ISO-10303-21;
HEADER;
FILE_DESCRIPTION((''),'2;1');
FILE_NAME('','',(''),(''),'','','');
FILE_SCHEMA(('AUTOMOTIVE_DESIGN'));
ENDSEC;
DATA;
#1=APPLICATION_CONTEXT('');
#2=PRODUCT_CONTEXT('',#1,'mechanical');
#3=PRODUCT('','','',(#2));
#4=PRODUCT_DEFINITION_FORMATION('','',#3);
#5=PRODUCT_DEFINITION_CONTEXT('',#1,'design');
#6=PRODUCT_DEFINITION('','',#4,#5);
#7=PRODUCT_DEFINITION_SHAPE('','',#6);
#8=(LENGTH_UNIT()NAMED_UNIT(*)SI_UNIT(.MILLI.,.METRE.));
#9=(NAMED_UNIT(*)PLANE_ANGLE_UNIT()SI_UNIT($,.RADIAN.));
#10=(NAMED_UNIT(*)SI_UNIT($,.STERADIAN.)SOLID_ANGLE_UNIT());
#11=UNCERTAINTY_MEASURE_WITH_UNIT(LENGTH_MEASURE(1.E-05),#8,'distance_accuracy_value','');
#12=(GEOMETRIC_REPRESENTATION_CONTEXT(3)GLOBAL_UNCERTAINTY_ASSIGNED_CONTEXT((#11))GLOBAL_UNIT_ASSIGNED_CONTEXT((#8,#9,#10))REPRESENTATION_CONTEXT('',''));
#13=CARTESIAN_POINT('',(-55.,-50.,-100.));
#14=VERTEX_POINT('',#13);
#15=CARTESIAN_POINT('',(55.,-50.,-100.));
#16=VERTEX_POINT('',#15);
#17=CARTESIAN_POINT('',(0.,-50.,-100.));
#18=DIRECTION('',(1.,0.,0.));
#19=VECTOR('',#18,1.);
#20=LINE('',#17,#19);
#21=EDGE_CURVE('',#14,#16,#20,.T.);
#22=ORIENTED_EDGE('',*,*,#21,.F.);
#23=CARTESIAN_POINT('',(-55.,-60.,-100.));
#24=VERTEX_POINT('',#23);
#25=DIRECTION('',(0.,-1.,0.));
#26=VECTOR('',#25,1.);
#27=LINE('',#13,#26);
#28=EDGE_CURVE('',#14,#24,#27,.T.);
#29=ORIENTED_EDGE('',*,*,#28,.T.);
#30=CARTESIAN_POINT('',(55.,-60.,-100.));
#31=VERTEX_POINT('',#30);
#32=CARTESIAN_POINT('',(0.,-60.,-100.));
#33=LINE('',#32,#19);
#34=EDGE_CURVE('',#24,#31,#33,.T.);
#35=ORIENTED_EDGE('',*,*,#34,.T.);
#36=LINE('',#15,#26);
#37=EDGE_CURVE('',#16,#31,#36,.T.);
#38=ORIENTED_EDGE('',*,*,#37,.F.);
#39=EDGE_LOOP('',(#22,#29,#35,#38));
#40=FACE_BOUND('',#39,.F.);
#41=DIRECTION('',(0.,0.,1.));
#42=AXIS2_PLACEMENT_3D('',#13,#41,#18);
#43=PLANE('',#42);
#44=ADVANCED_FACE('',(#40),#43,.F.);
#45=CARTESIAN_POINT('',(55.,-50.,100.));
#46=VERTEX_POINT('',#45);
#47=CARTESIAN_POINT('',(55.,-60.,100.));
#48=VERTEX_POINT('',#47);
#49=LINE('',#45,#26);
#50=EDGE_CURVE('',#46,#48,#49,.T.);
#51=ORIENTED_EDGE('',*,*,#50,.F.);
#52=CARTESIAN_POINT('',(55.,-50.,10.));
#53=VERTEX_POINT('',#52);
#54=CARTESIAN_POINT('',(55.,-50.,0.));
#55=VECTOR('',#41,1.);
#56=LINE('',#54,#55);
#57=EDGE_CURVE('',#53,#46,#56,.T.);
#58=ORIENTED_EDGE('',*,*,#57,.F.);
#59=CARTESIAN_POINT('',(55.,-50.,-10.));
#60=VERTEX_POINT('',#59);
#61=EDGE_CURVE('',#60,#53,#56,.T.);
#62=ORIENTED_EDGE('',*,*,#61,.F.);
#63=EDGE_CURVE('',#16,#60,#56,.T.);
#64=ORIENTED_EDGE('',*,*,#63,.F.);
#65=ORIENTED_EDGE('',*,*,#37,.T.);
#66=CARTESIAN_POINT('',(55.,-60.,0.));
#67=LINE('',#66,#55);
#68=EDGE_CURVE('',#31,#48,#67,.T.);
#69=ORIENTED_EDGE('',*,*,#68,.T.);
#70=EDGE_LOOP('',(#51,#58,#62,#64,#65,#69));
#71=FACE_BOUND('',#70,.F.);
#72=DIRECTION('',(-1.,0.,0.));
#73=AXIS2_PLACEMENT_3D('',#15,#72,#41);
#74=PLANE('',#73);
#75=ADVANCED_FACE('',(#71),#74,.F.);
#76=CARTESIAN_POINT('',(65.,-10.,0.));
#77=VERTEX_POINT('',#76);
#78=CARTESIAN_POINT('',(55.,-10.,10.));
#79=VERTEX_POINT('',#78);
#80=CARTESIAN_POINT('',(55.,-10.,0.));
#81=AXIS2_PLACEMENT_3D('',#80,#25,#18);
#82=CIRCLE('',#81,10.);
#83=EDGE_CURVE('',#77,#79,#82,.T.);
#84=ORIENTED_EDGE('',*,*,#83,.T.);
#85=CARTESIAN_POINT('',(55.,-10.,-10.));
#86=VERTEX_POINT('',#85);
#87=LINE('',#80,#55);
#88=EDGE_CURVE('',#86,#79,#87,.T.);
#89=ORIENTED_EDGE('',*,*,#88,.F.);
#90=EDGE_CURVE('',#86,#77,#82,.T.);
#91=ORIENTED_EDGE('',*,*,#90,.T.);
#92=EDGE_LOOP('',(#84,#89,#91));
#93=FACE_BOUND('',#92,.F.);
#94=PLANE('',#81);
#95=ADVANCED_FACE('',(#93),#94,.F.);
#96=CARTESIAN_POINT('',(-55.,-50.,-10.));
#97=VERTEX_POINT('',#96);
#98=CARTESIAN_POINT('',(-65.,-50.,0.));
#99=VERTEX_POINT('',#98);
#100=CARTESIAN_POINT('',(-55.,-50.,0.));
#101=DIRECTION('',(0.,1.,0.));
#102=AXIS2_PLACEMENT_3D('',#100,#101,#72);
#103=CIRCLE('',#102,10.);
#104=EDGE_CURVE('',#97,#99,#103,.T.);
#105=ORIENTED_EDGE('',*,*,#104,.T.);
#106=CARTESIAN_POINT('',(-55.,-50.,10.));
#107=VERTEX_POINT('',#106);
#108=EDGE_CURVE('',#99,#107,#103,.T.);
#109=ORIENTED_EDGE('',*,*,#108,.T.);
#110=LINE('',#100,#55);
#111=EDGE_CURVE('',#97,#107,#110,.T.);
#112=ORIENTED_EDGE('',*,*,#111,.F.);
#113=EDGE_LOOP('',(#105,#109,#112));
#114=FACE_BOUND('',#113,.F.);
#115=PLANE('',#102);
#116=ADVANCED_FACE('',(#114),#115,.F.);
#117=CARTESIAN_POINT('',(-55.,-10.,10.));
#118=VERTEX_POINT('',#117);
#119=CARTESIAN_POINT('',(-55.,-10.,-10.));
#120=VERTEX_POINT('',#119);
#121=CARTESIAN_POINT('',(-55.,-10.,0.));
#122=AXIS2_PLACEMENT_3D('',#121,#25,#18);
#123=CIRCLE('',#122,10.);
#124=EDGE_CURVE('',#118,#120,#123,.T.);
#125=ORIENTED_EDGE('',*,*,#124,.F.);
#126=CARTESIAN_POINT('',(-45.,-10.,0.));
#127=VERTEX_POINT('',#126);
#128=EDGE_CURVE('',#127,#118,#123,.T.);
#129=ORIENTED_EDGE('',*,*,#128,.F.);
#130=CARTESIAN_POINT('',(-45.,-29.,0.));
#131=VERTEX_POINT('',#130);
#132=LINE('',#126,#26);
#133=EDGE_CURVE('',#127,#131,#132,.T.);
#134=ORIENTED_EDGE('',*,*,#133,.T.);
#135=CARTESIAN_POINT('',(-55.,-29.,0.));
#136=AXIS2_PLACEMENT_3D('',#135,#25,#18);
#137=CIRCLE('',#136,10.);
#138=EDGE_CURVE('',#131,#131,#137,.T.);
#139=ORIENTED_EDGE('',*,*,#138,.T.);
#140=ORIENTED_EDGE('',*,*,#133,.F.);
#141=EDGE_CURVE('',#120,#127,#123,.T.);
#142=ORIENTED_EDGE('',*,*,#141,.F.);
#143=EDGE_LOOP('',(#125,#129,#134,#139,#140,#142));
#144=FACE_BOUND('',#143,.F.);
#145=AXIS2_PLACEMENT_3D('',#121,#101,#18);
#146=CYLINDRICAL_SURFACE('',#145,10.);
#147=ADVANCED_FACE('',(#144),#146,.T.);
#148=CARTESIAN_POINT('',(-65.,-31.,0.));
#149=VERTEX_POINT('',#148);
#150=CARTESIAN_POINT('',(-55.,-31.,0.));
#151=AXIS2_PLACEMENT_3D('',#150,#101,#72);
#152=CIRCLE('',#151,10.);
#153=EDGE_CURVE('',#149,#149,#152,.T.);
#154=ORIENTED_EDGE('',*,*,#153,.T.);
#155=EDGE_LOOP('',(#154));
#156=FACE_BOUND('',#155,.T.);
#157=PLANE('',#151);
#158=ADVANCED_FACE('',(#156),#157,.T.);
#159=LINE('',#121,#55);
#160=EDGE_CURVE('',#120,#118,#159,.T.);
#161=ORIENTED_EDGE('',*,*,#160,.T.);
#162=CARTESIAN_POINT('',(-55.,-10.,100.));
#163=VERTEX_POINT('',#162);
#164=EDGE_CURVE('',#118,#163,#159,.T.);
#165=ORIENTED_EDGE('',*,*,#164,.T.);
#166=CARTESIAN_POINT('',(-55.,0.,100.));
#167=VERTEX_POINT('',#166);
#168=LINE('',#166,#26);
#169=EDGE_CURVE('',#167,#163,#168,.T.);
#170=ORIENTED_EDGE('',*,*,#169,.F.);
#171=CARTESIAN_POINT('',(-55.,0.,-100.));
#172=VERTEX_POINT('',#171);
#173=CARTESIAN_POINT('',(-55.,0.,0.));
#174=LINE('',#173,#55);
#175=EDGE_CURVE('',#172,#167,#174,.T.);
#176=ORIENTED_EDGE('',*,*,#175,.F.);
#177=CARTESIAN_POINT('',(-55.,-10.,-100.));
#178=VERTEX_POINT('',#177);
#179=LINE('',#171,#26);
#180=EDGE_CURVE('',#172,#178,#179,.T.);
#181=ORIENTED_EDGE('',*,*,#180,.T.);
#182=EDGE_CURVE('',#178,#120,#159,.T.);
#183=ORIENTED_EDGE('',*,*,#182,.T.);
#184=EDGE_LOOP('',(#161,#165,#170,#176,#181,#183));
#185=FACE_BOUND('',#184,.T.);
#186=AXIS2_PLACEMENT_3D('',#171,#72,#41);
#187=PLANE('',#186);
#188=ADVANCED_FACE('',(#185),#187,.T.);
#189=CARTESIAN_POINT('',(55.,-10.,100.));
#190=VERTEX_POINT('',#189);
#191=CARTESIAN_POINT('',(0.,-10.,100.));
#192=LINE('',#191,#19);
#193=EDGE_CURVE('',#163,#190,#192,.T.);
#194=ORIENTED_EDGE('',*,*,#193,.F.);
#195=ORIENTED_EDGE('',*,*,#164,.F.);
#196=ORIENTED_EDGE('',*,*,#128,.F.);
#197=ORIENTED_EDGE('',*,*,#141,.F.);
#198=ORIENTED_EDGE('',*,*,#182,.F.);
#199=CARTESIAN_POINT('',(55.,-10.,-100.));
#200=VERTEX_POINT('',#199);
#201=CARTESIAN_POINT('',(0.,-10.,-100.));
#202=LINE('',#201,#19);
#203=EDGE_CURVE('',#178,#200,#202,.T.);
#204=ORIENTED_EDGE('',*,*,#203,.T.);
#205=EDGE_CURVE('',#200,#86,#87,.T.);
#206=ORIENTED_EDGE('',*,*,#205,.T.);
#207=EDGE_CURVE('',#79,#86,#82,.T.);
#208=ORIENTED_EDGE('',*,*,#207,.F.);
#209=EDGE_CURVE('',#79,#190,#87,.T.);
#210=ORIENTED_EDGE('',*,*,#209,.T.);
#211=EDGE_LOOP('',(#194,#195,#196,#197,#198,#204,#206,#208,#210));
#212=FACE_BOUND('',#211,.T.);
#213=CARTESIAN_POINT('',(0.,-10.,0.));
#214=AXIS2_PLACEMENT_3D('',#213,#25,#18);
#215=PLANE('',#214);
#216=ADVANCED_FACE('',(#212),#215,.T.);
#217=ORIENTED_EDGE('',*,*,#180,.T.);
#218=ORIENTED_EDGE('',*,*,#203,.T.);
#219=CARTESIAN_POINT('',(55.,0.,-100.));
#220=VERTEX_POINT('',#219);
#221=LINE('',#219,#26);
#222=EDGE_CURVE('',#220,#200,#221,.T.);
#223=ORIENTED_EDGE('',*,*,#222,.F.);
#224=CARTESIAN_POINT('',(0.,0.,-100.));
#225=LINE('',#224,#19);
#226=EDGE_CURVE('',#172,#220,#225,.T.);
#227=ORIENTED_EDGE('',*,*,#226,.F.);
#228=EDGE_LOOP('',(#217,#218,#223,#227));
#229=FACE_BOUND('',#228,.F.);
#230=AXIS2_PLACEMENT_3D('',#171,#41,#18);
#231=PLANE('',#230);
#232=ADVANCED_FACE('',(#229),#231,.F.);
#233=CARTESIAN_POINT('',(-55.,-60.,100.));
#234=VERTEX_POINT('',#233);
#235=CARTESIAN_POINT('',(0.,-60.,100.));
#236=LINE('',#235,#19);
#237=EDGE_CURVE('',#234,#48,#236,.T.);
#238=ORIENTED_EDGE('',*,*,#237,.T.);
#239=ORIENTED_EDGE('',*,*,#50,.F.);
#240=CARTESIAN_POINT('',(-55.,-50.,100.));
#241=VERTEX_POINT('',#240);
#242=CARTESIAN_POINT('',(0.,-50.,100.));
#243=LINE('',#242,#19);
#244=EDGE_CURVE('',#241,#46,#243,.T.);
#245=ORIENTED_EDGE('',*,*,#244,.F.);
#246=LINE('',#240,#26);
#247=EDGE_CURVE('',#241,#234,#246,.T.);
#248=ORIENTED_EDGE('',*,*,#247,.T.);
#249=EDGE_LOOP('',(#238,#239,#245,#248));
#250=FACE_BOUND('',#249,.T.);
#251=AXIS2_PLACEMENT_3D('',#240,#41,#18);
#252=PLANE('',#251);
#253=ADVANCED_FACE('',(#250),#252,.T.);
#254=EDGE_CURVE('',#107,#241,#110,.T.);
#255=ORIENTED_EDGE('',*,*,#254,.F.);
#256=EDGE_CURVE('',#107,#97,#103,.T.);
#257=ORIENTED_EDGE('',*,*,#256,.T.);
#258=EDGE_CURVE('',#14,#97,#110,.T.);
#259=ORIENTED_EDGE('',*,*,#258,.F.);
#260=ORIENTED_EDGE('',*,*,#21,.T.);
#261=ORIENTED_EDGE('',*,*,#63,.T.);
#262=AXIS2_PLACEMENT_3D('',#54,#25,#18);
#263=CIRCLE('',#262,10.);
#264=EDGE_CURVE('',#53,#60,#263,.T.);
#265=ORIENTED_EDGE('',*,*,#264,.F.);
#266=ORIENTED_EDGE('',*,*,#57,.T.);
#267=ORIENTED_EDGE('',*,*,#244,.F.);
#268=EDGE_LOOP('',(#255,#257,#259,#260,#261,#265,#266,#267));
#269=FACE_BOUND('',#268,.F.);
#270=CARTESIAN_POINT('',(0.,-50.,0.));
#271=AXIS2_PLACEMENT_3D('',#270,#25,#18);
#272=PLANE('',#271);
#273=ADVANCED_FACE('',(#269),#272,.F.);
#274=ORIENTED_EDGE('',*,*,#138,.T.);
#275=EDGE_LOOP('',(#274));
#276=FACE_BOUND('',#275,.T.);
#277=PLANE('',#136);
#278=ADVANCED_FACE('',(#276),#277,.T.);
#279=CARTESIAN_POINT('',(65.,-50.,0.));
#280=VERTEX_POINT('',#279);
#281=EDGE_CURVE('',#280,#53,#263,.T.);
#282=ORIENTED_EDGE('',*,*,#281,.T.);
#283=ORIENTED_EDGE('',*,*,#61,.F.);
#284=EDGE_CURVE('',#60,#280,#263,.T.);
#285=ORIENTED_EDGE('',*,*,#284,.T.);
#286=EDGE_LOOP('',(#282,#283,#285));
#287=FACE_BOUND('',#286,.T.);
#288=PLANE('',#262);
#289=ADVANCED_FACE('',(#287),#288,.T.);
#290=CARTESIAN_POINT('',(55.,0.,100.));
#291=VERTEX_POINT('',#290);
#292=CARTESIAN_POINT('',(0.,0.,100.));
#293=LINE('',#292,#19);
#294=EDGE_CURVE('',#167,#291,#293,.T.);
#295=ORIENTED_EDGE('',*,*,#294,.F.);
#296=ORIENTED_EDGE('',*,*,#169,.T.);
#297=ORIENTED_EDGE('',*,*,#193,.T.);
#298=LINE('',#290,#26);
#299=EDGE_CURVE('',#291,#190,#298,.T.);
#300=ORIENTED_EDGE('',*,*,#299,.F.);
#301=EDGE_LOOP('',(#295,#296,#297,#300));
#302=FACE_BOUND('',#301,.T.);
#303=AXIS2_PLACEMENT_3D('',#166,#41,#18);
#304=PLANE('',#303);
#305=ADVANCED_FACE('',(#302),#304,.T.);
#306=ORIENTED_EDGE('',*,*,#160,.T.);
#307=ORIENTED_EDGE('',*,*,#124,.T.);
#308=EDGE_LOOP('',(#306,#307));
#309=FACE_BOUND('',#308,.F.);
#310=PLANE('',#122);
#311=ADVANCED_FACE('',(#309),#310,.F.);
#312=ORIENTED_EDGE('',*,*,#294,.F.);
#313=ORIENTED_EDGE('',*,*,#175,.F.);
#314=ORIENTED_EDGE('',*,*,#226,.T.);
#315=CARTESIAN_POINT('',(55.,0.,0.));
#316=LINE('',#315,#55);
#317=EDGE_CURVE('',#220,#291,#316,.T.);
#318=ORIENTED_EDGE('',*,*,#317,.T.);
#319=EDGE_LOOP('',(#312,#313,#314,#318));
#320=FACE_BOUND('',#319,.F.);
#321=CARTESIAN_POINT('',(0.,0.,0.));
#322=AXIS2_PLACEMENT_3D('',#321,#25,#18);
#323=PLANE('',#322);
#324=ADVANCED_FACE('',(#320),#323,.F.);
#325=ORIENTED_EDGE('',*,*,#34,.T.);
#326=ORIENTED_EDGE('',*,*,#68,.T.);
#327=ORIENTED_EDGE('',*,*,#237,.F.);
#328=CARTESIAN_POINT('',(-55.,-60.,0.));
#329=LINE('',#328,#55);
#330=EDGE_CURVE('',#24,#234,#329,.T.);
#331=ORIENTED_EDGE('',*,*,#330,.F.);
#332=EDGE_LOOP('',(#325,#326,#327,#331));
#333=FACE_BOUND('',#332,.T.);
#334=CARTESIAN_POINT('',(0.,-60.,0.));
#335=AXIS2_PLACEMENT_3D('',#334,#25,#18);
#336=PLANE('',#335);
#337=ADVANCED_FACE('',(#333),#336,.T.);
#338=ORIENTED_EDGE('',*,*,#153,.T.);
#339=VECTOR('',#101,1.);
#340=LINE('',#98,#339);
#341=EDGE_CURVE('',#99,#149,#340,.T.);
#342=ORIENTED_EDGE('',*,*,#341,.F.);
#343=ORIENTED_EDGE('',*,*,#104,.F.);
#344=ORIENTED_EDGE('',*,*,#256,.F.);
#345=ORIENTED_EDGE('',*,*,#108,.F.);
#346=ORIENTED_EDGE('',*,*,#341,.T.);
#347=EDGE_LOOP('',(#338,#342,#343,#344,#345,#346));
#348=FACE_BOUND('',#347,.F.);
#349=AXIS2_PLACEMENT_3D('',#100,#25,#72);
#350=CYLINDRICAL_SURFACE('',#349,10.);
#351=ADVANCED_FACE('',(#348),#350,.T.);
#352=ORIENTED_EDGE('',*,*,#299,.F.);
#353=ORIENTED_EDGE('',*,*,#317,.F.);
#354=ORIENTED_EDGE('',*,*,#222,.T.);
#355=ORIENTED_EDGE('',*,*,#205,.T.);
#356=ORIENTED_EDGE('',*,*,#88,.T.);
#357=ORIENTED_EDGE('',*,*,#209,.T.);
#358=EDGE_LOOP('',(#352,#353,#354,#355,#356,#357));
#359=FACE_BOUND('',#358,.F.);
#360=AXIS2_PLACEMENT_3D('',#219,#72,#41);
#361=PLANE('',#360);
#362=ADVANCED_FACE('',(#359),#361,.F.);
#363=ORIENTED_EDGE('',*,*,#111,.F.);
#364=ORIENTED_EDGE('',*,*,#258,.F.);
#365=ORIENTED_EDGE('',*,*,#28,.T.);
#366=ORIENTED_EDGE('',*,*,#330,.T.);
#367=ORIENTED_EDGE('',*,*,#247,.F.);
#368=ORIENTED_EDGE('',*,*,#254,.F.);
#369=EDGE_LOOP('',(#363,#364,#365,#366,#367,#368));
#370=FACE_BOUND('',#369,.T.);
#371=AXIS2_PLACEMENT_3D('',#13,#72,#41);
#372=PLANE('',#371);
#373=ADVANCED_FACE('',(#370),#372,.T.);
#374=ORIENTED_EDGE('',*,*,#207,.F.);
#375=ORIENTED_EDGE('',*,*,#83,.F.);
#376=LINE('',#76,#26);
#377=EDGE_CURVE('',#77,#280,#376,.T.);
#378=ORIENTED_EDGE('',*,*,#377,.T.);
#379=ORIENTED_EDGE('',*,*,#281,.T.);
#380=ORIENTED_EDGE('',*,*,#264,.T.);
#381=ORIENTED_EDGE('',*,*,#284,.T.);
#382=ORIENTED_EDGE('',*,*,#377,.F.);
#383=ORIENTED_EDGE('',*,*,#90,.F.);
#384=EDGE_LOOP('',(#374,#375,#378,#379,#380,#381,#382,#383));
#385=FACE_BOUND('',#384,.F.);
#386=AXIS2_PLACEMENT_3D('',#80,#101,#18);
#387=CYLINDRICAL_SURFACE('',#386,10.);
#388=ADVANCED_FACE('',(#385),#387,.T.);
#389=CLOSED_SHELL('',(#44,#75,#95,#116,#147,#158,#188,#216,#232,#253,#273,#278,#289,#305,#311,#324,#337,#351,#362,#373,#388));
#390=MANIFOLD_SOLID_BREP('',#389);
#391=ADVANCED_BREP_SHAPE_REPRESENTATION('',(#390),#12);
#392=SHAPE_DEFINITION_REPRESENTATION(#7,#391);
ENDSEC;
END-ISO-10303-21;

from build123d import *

# Parameters (mm, degrees)
F0_W     = 110
F0_H     = 200
F1_DEPTH = 10
F2_R     = 10
F3_DEPTH = 40
F4_W     = 110
F4_H     = 200
F5_DEPTH = 10
F6_R     = 10
F7_DEPTH = 19
F8_R     = 10
F9_DEPTH = 19


with BuildPart() as f1:
    # F0 (on Front) → F1 (new body)
    with BuildSketch(Plane.XZ):
        Rectangle(F0_W, F0_H)
    extrude(amount=F1_DEPTH)

    # F2 (on face) → F3 (join)
    with BuildSketch(Plane.XZ.offset(10)):
        with Locations((55, 0)):
            Circle(F2_R)
    extrude(amount=F3_DEPTH)

    # F4 (on face) → F5 (join)
    with BuildSketch(Plane.XZ.offset(50)):
        Rectangle(F4_W, F4_H)
    extrude(amount=F5_DEPTH)

    # F6 (on face) → F7 (join)
    with BuildSketch(Plane.XZ.offset(10)):
        with Locations((-55, 0)):
            Circle(F6_R)
    extrude(amount=F7_DEPTH)

    # F8 (on face) → F9 (join)
    with BuildSketch(Plane(origin=(0, -50, 0), x_dir=(-1, 0, 0), z_dir=(0, 1, 0))):
        with Locations((55, 0)):
            Circle(F8_R)
    extrude(amount=F9_DEPTH)


solid = f1.part
